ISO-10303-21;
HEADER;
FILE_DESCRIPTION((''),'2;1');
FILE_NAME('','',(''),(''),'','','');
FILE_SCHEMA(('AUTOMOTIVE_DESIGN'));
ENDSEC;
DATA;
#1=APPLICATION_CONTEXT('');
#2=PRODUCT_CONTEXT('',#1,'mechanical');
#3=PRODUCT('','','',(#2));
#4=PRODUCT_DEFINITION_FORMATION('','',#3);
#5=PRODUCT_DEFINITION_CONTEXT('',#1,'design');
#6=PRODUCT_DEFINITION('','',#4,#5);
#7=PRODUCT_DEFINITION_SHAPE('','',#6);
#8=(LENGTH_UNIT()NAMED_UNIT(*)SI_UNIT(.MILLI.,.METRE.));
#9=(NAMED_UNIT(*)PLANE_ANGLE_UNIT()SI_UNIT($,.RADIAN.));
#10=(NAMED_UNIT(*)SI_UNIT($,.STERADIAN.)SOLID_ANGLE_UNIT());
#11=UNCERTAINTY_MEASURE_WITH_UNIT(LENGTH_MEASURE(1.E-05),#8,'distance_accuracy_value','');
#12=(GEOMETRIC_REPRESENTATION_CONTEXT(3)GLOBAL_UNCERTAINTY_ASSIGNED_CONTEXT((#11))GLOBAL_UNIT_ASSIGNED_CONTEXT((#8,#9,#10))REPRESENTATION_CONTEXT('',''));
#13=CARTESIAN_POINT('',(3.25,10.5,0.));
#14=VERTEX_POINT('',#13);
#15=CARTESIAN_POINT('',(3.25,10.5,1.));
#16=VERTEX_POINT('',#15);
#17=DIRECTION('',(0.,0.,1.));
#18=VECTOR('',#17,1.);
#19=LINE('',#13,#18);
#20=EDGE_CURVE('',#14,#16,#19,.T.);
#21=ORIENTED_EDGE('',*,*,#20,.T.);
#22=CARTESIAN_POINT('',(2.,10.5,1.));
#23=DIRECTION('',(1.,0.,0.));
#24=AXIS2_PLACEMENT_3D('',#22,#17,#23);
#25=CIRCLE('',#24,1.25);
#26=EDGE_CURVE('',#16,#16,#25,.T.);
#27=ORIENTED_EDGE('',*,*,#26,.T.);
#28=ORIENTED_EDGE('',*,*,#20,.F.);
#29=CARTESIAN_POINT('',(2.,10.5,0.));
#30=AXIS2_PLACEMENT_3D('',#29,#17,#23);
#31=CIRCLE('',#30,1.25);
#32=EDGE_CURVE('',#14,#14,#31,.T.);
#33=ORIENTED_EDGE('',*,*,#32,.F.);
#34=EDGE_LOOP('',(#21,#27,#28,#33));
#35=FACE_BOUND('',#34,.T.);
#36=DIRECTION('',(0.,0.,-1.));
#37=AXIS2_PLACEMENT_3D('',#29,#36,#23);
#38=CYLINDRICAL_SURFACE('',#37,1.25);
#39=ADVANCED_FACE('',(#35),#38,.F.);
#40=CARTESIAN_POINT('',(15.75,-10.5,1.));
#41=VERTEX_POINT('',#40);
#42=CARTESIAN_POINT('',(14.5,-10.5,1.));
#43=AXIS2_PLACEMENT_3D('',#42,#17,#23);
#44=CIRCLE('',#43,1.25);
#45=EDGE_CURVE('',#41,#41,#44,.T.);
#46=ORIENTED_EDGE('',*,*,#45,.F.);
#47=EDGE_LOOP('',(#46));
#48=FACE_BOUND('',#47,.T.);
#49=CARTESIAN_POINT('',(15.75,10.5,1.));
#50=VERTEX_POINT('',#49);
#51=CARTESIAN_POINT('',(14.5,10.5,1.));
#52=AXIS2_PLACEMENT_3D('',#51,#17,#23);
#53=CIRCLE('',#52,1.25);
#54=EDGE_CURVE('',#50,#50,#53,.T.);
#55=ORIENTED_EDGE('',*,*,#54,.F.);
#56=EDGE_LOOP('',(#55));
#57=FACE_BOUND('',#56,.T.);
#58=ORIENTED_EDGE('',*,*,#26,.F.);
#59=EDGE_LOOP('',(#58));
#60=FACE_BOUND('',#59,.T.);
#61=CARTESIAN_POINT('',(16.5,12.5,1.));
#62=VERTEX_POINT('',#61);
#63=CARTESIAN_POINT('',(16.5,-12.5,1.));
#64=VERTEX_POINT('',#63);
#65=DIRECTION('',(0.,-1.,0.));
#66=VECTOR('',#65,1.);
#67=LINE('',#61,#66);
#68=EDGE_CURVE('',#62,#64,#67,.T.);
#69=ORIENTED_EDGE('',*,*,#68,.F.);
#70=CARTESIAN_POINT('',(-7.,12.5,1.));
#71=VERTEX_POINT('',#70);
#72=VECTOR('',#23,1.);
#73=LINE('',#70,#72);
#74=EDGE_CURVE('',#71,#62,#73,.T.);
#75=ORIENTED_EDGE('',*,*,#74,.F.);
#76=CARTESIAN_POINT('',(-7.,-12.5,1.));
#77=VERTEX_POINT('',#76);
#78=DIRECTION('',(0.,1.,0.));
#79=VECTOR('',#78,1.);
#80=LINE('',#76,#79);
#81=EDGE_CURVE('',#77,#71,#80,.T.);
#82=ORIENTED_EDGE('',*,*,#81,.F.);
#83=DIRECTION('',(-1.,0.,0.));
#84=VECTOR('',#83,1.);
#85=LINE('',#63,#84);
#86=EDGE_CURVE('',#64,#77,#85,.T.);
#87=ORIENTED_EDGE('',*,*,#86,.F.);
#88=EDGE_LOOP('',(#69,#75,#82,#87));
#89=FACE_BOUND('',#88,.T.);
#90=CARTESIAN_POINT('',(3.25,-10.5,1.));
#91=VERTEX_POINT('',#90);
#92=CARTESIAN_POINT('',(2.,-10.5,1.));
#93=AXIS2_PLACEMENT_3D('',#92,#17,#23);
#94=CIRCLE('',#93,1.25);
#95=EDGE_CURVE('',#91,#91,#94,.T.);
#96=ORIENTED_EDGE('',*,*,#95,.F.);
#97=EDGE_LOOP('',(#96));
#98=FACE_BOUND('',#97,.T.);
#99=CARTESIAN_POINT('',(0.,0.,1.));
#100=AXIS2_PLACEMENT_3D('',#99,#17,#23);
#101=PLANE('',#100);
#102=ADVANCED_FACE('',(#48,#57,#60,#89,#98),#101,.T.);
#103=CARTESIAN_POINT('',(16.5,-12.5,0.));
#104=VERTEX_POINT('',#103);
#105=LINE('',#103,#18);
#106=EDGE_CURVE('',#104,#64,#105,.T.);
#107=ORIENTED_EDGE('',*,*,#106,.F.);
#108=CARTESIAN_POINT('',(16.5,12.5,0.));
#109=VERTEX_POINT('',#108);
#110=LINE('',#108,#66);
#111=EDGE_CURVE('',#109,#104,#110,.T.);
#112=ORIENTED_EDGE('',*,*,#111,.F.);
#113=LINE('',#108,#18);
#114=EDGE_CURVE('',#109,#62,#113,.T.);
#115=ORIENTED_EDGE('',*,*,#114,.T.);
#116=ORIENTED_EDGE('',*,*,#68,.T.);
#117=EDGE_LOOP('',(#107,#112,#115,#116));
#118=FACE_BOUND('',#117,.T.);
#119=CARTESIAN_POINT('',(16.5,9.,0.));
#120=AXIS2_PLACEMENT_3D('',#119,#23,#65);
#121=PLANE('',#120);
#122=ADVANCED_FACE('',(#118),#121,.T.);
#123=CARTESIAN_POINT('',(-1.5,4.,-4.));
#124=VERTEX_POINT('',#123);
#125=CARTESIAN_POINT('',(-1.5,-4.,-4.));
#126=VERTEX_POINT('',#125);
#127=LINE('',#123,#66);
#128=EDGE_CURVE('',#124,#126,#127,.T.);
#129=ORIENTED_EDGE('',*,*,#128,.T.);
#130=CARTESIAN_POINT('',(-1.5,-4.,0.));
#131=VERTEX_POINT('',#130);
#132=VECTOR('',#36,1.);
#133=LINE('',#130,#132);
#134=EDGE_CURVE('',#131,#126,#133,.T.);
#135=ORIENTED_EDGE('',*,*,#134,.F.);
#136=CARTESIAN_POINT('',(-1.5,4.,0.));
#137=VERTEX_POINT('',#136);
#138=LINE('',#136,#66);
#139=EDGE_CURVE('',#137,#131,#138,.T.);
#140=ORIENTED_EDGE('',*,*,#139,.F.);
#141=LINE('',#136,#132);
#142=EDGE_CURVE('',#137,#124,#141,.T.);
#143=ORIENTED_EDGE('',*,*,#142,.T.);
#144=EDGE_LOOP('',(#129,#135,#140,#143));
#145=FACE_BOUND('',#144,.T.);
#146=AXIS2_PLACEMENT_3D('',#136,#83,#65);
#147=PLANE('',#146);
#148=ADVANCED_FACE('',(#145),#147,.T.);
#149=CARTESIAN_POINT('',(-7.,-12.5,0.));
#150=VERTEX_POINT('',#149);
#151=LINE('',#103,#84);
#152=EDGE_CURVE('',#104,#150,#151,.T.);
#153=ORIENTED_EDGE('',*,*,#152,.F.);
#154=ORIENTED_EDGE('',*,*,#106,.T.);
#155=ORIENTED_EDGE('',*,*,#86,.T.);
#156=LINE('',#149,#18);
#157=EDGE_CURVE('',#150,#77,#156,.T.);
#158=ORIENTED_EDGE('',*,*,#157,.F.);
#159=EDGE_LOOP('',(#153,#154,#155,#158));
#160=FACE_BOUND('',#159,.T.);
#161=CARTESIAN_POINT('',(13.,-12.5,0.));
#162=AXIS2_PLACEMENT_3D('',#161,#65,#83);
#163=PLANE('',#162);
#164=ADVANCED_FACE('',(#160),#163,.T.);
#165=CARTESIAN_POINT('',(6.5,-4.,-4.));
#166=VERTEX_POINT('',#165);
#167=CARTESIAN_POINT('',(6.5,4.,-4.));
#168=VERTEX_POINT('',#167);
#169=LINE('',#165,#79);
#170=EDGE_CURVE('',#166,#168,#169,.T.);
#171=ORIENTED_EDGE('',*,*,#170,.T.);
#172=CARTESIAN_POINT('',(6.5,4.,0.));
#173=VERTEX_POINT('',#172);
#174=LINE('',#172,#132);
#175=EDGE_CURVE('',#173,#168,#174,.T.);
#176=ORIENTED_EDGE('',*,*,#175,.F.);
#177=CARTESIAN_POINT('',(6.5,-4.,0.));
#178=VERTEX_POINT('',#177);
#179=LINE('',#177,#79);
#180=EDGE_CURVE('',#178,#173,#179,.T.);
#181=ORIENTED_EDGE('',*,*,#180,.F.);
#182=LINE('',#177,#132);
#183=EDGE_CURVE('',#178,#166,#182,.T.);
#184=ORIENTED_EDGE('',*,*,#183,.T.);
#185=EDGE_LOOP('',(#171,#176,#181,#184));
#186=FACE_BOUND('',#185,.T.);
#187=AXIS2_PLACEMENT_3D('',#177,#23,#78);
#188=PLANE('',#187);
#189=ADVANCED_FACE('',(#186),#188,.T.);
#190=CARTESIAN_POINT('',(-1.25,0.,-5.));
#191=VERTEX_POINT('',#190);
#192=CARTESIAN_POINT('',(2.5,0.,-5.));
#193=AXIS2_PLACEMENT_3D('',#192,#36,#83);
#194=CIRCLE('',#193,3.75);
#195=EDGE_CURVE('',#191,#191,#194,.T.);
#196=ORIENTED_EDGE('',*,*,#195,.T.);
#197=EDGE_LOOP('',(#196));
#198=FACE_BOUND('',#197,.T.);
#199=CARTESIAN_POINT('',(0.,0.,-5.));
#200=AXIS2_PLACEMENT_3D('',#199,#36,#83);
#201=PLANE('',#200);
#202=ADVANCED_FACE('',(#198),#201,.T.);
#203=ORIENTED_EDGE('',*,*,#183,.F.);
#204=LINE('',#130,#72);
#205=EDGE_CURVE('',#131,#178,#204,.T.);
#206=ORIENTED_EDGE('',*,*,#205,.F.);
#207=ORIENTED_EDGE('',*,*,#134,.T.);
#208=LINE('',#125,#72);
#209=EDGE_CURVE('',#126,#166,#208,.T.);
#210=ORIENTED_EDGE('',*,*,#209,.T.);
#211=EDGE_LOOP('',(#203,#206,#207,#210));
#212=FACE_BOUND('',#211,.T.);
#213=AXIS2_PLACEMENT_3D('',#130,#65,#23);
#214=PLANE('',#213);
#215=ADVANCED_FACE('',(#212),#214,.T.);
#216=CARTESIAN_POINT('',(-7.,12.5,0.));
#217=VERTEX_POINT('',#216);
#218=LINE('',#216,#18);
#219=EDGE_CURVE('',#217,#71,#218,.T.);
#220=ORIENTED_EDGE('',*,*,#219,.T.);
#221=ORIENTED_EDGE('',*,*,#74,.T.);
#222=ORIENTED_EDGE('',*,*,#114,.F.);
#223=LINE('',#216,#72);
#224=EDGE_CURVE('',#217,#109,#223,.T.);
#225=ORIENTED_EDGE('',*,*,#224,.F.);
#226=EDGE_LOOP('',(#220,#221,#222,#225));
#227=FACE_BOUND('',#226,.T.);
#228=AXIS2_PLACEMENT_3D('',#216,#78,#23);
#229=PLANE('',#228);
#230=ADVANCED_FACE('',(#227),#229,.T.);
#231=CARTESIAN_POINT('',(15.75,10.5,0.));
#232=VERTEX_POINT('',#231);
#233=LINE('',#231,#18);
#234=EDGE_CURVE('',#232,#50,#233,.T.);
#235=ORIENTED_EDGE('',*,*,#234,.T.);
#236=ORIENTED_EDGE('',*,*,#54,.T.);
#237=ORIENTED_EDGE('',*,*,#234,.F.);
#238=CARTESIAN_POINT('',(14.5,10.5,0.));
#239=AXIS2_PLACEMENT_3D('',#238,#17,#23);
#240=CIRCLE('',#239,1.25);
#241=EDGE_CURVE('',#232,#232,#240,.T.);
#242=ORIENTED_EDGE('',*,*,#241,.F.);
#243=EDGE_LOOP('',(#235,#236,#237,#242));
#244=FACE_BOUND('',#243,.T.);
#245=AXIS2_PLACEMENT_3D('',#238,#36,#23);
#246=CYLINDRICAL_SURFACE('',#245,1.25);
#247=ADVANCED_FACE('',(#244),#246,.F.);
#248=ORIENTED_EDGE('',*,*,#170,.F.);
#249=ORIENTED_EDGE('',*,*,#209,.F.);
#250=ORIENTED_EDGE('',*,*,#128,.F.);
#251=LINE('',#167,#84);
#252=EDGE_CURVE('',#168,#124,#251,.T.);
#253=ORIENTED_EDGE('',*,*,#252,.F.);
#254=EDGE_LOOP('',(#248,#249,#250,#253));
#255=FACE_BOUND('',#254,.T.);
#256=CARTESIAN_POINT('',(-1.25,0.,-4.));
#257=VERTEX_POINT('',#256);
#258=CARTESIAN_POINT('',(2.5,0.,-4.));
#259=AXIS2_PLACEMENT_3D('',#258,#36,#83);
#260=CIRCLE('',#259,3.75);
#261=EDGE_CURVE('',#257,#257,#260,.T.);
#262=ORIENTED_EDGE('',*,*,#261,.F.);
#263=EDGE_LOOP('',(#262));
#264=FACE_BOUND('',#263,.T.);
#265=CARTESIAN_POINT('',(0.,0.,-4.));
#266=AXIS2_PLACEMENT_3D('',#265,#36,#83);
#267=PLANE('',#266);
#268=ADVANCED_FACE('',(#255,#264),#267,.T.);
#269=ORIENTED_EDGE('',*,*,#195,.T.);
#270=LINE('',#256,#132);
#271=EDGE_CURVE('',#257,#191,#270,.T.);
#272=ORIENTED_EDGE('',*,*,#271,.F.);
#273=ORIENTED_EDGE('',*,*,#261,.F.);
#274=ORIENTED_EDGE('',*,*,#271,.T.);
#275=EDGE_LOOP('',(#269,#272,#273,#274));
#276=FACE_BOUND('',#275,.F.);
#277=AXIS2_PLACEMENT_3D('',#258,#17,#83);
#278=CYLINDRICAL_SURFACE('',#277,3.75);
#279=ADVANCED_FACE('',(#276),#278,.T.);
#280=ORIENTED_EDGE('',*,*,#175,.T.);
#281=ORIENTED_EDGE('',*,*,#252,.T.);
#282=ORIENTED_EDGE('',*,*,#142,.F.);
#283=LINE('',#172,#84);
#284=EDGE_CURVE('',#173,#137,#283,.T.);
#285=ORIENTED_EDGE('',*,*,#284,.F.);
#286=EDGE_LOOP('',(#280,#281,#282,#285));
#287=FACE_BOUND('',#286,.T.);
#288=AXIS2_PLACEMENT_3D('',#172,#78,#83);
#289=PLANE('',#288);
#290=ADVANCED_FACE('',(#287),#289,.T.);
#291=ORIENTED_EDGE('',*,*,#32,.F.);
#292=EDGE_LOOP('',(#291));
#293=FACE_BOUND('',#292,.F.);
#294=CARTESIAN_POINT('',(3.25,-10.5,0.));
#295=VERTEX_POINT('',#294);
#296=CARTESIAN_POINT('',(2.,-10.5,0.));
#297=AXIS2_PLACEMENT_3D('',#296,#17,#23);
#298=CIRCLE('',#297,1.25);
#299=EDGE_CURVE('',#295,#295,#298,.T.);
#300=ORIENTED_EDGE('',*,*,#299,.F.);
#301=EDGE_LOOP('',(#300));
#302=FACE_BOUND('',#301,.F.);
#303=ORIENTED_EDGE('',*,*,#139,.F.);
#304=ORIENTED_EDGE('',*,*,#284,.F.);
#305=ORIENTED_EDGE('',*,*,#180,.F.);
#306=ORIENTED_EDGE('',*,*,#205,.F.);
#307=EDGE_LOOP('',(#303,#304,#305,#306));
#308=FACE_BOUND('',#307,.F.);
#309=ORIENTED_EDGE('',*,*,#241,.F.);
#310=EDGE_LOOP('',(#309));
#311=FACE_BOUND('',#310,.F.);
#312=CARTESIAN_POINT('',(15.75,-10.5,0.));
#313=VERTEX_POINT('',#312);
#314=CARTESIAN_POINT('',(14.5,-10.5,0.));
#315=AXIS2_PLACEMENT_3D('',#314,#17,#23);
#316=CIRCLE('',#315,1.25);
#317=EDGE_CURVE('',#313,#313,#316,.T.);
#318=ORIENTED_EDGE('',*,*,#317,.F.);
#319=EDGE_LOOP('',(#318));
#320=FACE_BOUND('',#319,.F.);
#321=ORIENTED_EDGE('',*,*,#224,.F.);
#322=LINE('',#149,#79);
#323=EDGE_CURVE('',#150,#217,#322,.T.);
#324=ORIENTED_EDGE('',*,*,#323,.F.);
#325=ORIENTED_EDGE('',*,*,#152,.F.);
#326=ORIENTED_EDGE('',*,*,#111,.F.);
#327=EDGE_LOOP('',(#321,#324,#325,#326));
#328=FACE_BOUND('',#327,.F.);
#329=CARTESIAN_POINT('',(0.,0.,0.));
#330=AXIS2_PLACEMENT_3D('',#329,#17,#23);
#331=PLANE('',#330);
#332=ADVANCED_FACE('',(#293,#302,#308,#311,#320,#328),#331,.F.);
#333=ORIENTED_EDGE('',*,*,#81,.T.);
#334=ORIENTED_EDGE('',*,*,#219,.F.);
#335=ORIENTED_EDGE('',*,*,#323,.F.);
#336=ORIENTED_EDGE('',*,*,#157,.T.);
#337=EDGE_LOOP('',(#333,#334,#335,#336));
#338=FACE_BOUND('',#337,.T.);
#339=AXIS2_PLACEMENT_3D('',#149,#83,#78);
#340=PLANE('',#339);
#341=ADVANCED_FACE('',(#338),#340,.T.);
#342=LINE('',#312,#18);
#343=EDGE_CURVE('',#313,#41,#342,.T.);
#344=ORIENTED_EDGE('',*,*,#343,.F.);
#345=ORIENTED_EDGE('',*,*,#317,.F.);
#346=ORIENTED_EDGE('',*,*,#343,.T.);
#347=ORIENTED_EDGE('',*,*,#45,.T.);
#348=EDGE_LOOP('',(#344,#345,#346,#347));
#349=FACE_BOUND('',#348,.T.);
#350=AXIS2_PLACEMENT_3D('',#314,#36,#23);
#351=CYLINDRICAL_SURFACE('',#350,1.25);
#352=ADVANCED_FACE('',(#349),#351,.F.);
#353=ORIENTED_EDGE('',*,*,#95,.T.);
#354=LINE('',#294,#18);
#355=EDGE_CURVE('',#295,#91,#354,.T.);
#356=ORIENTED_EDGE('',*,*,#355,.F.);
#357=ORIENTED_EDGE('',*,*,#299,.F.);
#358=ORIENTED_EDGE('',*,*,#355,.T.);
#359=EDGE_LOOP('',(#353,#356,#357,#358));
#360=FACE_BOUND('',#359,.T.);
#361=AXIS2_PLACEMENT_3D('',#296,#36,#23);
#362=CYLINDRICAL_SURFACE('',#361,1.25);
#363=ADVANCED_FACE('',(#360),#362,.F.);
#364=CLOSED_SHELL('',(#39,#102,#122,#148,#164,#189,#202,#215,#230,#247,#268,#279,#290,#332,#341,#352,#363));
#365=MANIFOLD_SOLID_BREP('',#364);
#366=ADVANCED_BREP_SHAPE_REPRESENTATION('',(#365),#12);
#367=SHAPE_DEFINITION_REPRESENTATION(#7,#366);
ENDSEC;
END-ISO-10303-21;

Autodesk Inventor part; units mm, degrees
ref_plane "YZ Plane" through (0, 0, 0) normal (1, 0, 0) x (0, 1, 0)
ref_plane "XZ Plane" through (0, 0, 0) normal (0, 1, 0) x (-1, 0, 0)
ref_plane "XY Plane" through (0, 0, 0) normal (0, 0, 1) x (1, 0, 0)
sketch "スケッチ1" plane through (0, 0, 0) normal (0, 0, 1) x (1, 0, 0)
  circle A0 centre (14.5, 10.5) radius 1.25
  circle A1 centre (14.5, -10.5) radius 1.25
  circle A2 centre (2, -10.5) radius 1.25
  circle A3 centre (2, 10.5) radius 1.25
  circle A4 centre (2.5, 0) radius 7
  line L0 (16.5, 12.5) -> (16.5, -12.5)
  line L1 (16.5, -12.5) -> (-7, -12.5)
  line L2 (-7, -12.5) -> (-7, 12.5)
  line L3 (-7, 12.5) -> (16.5, 12.5)
  circle A5 centre (2.5, 0) radius 7 projected
  circle A6 centre (2, -10.5) radius 2.5 projected
  circle A7 centre (2, 10.5) radius 2.5 projected
  circle A8 centre (14.5, 10.5) radius 2.5 projected
  circle A9 centre (14.5, -10.5) radius 2.5 projected
  point P0 (0, 0)
  dimension "d0" = 2.5
  dimension "d1" = 2.5
  dimension "d2" = 2.5
  dimension "d3" = 2.5
  dimension "d4" = 2
  dimension "d5" = 2
  dimension "d6" = 2
  dimension "d7" = 9
extrude "押し出し1" add sketch "スケッチ1" along normal blind 1 contours A4 | L0 A8 L3 | L0 A8 L3 | L0 A9 L1 A6 L2 L3 A7 A8 | L0 A9 L1 | A7 L3 | L0 L1 A9 | L1 A6 picked at (2.0502, 12.247) picked at (2.0502, -12.247)
sketch "スケッチ2" plane through (0, 0, 0) normal (0, 0, -1) x (-1, 0, 0)
  circle A0 centre (-2, 10.5) radius 1.25 projected
  circle A1 centre (-14.5, -10.5) radius 1.25 projected
  circle A2 centre (-2, -10.5) radius 1.25 projected
  circle A3 centre (-14.5, 10.5) radius 1.25 projected
  circle A4 centre (-2.5, 0) radius 7 projected
  line L0 (17.5, -15.5) -> (-17.5, -15.5) projected
  line L1 (-17.5, 15.5) -> (-17.5, -15.5) projected
  line L2 (-17.5, 15.5) -> (17.5, 15.5) projected
  line L3 (17.5, -15.5) -> (17.5, 15.5) projected
  line L4 (-6.5, 4) -> (1.5, 4)
  line L5 (1.5, 4) -> (1.5, -4)
  line L6 (1.5, -4) -> (-6.5, -4)
  line L7 (-6.5, -4) -> (-6.5, 4)
  line L8 (-6.5, 4) -> (1.5, -4) construction
  line L9 (1.5, 4) -> (-6.5, -4) construction
  point P0 (0, 0)
  dimension "d10" = 8
  dimension "d11" = 8
extrude "押し出し2" add sketch "スケッチ2" along normal blind 4 contours L4 L5 L6 L7
sketch "スケッチ3" plane through (0, 0, -4) normal (0, 0, -1) x (-1, 0, 0)
  circle A0 centre (-2.5, 0) radius 7 projected
  circle A1 centre (-2.5, 0) radius 3.75
  point P0 (0, 0)
  dimension "d14" = 7.5
extrude "押し出し3" add sketch "スケッチ3" along normal blind 1 contours A1
properties part number "camerapi"
